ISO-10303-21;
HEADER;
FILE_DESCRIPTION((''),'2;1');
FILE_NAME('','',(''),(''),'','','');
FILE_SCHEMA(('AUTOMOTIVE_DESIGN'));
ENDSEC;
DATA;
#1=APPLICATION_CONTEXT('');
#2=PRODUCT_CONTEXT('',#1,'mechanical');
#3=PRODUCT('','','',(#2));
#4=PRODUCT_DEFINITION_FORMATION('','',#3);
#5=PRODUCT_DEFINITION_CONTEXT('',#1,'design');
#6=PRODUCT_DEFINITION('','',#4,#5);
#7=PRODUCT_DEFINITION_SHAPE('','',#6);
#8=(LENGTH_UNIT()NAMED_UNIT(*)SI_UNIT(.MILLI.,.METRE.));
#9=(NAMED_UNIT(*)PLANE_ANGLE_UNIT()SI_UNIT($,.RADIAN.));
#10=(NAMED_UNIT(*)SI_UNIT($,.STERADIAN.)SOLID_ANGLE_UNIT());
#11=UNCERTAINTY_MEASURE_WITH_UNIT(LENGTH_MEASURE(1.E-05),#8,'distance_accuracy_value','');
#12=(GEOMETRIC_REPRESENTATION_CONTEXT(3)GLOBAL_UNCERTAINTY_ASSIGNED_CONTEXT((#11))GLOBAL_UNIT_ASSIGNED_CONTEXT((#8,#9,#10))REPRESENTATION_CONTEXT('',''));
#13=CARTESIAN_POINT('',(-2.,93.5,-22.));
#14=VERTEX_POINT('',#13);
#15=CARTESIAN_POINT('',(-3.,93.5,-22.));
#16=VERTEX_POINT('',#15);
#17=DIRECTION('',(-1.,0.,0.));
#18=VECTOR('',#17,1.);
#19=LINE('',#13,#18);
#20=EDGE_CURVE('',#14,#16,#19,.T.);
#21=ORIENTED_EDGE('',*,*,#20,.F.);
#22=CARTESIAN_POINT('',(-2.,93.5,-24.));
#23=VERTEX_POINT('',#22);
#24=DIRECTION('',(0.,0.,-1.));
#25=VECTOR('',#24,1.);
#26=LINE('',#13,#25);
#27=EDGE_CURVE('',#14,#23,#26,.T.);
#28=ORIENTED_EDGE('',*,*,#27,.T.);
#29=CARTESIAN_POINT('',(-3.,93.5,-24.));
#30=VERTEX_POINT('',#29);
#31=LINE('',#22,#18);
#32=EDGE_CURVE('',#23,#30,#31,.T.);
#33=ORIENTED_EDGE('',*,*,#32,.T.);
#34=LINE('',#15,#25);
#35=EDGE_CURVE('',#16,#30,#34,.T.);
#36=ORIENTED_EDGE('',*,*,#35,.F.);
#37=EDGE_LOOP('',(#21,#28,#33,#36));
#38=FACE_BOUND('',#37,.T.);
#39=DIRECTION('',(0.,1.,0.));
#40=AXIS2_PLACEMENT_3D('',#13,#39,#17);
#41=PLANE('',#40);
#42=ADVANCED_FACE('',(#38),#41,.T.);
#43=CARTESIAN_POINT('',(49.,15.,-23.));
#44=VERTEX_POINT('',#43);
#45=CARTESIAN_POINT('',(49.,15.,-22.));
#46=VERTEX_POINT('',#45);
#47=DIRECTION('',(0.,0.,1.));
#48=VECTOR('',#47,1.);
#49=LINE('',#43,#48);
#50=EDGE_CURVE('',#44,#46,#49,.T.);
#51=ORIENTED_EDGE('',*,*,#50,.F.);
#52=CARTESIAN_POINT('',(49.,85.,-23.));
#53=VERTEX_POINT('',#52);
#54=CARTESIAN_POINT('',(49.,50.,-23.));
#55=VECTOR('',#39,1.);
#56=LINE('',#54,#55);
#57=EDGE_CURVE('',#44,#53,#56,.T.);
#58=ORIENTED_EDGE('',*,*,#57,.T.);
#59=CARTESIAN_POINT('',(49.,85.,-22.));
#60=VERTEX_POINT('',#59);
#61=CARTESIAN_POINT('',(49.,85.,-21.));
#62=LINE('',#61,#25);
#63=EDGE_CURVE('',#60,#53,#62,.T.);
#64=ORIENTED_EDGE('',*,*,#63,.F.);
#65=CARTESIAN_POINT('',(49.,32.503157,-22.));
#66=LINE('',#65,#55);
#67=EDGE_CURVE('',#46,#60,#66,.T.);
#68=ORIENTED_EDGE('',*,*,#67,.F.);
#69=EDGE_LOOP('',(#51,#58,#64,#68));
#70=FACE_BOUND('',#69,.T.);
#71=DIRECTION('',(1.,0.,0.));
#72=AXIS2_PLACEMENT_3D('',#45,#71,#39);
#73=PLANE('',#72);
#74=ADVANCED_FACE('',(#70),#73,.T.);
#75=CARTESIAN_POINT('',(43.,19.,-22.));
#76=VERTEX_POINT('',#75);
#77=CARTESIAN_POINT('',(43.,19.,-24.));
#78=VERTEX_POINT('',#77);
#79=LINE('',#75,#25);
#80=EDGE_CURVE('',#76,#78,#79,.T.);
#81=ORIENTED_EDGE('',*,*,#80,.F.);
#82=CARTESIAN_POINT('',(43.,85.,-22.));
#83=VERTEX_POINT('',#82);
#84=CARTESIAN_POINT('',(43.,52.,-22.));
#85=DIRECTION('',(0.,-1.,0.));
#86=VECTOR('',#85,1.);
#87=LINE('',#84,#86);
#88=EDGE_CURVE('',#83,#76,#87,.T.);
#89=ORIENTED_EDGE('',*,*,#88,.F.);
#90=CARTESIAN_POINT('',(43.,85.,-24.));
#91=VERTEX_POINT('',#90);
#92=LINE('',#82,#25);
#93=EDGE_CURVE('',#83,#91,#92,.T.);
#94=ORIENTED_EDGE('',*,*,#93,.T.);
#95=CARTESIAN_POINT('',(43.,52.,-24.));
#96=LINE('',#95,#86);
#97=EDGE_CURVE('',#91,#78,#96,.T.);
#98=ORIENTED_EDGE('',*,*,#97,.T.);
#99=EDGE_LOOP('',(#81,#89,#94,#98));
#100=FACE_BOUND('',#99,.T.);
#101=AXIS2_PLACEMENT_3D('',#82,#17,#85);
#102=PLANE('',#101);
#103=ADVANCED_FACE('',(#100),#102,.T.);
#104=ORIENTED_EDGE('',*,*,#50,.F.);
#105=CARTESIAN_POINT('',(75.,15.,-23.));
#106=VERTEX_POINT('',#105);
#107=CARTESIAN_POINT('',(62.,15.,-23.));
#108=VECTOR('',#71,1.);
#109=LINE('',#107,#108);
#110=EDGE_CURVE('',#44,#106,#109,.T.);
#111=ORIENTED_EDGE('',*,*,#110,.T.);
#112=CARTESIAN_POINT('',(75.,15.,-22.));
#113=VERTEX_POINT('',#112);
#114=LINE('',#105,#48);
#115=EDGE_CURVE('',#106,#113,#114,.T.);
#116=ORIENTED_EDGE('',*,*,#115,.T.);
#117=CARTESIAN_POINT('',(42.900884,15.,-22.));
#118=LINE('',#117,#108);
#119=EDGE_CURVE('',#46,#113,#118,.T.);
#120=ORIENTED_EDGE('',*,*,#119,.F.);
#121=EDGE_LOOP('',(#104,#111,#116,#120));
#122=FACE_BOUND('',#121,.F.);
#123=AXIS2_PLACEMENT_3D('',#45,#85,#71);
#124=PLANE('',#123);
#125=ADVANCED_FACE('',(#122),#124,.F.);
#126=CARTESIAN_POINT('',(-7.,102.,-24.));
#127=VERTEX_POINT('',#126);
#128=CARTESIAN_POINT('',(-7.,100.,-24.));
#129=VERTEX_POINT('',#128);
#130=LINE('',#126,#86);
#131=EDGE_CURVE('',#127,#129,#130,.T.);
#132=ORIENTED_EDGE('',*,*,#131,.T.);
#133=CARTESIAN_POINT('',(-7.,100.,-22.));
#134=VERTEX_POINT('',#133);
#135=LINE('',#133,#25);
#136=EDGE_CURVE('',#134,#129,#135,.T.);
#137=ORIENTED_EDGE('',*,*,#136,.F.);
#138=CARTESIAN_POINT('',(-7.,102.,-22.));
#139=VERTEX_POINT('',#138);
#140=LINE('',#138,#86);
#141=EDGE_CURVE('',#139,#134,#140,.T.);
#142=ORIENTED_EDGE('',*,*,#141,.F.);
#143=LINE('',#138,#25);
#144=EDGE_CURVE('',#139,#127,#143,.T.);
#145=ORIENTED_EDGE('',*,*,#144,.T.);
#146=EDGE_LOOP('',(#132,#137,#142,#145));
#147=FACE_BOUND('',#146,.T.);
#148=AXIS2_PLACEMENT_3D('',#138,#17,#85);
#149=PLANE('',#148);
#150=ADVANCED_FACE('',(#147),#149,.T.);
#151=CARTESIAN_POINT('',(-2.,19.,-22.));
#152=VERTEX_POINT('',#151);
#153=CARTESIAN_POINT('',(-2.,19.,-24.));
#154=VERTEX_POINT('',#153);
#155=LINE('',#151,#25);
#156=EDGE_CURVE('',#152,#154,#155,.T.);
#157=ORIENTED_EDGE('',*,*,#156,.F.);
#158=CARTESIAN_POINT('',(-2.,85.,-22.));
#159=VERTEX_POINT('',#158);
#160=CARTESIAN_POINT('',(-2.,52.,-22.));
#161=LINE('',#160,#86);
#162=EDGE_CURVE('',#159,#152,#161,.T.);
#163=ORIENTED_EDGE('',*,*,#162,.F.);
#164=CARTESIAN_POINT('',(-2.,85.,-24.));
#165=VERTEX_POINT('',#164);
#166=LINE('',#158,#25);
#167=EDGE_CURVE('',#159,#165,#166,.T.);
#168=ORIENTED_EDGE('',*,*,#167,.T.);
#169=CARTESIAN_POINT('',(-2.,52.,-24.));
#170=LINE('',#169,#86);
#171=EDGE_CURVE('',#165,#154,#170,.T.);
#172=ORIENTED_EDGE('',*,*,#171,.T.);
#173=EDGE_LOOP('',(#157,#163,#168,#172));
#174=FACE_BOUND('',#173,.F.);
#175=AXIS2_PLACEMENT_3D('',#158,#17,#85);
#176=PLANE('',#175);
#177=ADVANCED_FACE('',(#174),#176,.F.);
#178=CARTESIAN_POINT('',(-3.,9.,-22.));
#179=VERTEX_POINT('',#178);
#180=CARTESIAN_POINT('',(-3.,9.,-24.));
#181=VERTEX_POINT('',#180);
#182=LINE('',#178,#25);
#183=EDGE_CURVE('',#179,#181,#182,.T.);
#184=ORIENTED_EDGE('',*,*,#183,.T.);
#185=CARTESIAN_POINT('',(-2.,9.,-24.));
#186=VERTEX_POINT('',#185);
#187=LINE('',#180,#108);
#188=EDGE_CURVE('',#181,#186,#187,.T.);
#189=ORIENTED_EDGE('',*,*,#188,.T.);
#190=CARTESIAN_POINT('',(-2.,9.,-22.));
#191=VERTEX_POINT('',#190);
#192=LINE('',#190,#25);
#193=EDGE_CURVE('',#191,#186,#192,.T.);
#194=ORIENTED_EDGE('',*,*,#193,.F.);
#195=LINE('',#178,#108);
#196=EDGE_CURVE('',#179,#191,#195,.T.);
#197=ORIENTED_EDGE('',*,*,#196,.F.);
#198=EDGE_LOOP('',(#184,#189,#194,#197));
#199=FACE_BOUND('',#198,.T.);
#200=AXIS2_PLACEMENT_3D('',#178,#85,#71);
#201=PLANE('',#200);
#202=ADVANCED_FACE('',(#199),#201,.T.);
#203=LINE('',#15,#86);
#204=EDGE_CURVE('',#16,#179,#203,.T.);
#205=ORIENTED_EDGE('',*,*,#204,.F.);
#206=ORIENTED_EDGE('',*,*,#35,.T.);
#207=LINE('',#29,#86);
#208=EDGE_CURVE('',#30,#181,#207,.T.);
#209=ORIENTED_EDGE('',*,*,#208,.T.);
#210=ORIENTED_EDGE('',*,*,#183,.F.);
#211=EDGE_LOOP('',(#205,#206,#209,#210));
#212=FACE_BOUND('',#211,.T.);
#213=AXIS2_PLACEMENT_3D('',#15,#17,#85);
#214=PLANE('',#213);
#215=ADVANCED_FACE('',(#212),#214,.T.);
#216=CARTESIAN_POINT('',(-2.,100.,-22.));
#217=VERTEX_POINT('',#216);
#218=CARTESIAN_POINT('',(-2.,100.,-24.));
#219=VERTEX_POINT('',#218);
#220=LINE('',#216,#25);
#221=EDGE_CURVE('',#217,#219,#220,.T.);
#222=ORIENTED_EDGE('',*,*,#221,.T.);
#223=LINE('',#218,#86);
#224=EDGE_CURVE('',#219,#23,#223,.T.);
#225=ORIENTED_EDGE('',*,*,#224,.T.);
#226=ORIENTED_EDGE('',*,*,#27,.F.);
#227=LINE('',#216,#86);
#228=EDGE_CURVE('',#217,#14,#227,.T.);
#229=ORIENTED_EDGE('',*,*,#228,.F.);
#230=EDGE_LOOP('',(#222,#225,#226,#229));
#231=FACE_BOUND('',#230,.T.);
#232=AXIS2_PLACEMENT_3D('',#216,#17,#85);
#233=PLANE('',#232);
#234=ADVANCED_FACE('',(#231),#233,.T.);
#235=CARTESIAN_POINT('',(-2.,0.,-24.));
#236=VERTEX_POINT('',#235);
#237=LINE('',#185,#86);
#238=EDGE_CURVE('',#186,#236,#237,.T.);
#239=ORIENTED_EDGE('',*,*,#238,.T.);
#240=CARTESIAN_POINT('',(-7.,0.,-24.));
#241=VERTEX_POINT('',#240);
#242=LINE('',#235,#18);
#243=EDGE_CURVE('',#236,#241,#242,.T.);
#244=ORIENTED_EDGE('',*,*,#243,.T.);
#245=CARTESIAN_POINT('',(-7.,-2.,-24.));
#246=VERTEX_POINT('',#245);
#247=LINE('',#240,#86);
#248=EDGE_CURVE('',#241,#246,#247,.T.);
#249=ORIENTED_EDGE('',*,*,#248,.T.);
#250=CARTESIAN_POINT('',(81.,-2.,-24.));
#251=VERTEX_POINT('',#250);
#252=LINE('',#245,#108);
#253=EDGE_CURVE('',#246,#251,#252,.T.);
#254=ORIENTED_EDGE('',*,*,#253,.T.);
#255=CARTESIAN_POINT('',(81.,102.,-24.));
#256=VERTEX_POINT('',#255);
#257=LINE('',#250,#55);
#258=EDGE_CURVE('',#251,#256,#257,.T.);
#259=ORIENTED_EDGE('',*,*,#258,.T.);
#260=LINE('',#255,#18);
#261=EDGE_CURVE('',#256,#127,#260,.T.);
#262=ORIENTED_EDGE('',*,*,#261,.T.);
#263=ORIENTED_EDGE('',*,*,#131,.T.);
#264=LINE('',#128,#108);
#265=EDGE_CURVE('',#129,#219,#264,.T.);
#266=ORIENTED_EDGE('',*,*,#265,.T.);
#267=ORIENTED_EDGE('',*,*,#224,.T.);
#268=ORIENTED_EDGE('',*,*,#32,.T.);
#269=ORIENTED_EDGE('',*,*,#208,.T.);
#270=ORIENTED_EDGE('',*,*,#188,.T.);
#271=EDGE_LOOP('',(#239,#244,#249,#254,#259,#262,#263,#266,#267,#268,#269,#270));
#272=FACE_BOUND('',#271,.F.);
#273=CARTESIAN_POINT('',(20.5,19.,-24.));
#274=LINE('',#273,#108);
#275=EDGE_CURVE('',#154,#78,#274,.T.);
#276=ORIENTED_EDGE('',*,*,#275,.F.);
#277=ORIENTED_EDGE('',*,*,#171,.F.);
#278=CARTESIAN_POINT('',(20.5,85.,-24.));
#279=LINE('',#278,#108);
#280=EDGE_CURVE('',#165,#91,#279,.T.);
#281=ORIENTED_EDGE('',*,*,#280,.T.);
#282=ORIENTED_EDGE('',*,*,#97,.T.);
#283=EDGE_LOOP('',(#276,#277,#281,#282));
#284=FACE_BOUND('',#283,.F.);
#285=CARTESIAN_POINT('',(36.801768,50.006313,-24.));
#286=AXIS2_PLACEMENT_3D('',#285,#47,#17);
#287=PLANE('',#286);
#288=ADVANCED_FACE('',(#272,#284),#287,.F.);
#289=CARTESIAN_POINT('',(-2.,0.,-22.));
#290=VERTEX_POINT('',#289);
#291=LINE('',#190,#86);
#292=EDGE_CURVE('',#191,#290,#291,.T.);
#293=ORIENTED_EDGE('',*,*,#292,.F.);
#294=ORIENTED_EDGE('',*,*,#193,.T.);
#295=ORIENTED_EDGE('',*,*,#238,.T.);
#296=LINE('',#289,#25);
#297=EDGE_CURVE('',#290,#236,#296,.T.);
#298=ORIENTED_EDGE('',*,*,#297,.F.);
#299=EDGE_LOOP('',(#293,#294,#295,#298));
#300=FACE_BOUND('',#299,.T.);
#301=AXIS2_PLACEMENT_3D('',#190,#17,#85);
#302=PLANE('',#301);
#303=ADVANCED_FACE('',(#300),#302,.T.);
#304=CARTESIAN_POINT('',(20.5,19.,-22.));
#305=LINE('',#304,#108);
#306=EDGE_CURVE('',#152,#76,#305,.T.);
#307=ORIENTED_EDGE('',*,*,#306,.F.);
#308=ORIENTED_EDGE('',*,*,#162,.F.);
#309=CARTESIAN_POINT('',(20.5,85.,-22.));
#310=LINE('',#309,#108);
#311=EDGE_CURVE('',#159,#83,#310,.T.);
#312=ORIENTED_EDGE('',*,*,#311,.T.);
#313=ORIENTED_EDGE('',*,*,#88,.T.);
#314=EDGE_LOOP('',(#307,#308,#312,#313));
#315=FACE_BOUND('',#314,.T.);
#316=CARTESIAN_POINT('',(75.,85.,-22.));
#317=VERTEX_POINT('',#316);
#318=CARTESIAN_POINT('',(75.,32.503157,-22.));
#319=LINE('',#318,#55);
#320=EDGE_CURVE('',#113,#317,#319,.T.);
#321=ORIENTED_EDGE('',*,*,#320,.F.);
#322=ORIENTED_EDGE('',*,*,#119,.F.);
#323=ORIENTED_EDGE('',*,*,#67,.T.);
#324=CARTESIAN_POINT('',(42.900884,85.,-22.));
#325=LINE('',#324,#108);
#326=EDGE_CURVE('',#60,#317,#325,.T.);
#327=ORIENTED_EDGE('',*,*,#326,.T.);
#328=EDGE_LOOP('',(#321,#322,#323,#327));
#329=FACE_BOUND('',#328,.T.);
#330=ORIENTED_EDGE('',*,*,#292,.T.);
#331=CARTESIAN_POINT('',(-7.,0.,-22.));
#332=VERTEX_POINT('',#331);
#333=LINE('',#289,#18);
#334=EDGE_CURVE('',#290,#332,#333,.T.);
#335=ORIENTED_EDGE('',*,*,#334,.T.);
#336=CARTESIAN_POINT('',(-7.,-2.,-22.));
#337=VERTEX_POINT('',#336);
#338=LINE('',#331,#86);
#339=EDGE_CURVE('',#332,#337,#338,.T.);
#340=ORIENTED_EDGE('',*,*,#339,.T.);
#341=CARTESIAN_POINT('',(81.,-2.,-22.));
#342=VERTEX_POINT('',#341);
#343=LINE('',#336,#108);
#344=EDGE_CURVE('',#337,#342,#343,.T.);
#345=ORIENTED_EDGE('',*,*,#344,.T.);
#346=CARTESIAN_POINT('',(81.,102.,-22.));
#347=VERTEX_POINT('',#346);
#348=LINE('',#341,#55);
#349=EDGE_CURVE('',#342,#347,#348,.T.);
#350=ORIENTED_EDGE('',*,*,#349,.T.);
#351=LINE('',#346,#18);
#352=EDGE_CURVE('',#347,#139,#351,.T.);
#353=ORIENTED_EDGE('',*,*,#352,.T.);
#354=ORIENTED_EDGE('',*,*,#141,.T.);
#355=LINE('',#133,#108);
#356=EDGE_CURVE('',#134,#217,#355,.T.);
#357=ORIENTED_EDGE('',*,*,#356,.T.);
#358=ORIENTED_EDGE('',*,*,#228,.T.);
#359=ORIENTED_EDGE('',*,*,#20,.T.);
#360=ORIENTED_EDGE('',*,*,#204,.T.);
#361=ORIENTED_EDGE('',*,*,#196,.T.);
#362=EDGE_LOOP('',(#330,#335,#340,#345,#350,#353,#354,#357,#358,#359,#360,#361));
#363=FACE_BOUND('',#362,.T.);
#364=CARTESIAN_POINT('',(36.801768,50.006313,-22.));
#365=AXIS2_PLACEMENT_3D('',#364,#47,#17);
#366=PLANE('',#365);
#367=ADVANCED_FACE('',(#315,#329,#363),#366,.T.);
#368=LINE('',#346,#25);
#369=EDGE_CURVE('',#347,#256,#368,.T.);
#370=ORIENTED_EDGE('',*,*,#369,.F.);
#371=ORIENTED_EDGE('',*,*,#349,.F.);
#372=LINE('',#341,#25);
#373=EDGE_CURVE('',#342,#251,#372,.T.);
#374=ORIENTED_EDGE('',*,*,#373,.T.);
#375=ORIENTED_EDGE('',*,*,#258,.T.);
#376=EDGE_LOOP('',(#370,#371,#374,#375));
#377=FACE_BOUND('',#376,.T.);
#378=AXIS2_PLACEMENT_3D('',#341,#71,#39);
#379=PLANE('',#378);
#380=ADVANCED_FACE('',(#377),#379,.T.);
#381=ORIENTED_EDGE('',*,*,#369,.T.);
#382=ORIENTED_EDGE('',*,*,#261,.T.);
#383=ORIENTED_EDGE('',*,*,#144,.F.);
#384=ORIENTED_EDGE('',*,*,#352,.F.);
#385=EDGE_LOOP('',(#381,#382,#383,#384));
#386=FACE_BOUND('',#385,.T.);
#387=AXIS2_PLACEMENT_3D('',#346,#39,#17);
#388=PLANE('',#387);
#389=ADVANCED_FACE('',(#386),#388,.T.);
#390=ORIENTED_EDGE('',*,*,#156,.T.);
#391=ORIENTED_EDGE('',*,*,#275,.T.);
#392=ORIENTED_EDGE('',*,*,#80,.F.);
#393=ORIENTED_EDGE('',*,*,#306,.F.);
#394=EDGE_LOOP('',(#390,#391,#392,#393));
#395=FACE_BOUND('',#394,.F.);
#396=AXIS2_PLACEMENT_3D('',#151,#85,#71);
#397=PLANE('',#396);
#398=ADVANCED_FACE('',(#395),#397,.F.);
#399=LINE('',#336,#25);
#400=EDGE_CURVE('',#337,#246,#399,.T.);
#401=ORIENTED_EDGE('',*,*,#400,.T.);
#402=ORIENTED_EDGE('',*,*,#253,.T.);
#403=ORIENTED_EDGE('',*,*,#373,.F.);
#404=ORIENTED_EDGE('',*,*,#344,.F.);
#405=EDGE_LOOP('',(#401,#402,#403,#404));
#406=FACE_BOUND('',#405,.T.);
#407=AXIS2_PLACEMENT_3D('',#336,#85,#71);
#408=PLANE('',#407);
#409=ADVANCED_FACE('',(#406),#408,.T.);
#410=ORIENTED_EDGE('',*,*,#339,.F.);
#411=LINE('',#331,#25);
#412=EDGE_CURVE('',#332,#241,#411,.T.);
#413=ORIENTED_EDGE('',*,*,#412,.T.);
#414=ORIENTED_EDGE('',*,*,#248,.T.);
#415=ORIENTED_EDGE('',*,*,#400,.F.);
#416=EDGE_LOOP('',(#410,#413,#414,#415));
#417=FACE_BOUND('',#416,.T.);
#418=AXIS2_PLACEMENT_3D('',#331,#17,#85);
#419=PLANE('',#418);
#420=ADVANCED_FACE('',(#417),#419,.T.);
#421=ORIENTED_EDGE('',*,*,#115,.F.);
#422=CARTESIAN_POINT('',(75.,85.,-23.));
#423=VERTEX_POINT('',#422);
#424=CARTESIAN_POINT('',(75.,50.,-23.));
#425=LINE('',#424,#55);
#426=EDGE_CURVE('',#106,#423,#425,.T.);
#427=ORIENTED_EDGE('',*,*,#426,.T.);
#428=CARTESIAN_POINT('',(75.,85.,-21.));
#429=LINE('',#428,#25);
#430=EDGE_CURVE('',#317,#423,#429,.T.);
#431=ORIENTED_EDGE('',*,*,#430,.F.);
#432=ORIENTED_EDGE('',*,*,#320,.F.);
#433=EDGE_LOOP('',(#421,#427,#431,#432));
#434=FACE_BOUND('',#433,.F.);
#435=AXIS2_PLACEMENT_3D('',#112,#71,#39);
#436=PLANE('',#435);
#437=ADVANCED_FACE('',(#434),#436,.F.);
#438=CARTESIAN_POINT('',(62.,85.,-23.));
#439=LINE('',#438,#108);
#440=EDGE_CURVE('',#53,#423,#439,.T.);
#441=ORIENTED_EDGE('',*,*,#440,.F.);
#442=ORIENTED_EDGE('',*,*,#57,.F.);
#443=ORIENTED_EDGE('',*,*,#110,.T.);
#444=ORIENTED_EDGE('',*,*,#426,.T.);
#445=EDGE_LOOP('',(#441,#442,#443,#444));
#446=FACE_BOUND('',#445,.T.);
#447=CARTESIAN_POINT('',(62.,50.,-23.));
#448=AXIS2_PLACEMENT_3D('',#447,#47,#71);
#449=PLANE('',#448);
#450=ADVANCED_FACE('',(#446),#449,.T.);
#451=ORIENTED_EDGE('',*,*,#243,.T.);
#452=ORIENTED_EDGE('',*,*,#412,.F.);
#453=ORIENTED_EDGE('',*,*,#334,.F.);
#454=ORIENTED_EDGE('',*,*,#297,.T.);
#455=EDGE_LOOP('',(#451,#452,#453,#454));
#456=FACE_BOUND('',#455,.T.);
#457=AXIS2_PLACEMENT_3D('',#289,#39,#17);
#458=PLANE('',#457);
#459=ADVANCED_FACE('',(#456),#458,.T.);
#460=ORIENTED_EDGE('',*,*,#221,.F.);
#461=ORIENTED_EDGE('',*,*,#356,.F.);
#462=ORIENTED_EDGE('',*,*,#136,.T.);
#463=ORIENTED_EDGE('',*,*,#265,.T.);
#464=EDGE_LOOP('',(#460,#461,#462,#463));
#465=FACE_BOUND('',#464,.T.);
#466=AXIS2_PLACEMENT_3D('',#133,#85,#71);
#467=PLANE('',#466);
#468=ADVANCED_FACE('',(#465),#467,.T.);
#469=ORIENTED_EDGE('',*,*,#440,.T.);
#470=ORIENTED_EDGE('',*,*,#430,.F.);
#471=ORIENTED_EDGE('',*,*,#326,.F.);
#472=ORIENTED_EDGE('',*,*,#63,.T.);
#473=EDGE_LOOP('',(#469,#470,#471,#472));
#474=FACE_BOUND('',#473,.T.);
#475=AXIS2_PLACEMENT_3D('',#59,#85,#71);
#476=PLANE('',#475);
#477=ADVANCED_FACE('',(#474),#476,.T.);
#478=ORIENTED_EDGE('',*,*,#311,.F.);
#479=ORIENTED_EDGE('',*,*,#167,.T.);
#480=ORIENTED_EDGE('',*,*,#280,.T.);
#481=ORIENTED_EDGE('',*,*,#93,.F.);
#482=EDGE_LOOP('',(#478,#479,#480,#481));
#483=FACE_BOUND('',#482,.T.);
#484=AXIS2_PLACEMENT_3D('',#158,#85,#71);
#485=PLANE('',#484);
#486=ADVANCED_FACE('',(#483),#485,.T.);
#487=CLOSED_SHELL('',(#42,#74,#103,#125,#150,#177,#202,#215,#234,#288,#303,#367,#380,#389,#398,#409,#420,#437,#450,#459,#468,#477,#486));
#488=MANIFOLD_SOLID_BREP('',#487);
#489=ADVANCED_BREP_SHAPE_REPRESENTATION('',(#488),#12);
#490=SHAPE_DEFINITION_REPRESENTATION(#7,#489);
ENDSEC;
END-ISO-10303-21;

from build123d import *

# Parameters (mm, degrees)
SKETCH093_W      = 26
SKETCH093_H      = 70
EXTRUDE081_DEPTH = 1
SKETCH_W         = 45
SKETCH_H         = 66
EXTRUDE_DEPTH    = 2


with BuildPart() as extrude081:
    # Sketch093 → Extrude081 (new body, symmetric)
    with BuildSketch(Plane.XY.offset(-22)):
        with Locations((62, 50)):
            Rectangle(SKETCH093_W, SKETCH093_H)
    extrude(amount=EXTRUDE081_DEPTH, both=True)


with BuildPart() as cut012:
    # Sketch → Extrude (new body)
    with BuildSketch(Plane(origin=(0, 0, -22), x_dir=(1, 0, 0), z_dir=(0, 0, -1))):
        Polygon((-7, 2), (81, 2), (81, -102), (-7, -102), (-7, -100), (-2, -100), (-2, -93.5), (-3, -93.5), (-3, -9), (-2, -9), (-2, 0), (-7, 0), align=None)
        with Locations((20.5, -52)):
            Rectangle(SKETCH_W, SKETCH_H, mode=Mode.SUBTRACT)
    extrude(amount=EXTRUDE_DEPTH)

    # Cut012: cut Extrude081
    add(extrude081.part, mode=Mode.SUBTRACT)


solid = cut012.part
